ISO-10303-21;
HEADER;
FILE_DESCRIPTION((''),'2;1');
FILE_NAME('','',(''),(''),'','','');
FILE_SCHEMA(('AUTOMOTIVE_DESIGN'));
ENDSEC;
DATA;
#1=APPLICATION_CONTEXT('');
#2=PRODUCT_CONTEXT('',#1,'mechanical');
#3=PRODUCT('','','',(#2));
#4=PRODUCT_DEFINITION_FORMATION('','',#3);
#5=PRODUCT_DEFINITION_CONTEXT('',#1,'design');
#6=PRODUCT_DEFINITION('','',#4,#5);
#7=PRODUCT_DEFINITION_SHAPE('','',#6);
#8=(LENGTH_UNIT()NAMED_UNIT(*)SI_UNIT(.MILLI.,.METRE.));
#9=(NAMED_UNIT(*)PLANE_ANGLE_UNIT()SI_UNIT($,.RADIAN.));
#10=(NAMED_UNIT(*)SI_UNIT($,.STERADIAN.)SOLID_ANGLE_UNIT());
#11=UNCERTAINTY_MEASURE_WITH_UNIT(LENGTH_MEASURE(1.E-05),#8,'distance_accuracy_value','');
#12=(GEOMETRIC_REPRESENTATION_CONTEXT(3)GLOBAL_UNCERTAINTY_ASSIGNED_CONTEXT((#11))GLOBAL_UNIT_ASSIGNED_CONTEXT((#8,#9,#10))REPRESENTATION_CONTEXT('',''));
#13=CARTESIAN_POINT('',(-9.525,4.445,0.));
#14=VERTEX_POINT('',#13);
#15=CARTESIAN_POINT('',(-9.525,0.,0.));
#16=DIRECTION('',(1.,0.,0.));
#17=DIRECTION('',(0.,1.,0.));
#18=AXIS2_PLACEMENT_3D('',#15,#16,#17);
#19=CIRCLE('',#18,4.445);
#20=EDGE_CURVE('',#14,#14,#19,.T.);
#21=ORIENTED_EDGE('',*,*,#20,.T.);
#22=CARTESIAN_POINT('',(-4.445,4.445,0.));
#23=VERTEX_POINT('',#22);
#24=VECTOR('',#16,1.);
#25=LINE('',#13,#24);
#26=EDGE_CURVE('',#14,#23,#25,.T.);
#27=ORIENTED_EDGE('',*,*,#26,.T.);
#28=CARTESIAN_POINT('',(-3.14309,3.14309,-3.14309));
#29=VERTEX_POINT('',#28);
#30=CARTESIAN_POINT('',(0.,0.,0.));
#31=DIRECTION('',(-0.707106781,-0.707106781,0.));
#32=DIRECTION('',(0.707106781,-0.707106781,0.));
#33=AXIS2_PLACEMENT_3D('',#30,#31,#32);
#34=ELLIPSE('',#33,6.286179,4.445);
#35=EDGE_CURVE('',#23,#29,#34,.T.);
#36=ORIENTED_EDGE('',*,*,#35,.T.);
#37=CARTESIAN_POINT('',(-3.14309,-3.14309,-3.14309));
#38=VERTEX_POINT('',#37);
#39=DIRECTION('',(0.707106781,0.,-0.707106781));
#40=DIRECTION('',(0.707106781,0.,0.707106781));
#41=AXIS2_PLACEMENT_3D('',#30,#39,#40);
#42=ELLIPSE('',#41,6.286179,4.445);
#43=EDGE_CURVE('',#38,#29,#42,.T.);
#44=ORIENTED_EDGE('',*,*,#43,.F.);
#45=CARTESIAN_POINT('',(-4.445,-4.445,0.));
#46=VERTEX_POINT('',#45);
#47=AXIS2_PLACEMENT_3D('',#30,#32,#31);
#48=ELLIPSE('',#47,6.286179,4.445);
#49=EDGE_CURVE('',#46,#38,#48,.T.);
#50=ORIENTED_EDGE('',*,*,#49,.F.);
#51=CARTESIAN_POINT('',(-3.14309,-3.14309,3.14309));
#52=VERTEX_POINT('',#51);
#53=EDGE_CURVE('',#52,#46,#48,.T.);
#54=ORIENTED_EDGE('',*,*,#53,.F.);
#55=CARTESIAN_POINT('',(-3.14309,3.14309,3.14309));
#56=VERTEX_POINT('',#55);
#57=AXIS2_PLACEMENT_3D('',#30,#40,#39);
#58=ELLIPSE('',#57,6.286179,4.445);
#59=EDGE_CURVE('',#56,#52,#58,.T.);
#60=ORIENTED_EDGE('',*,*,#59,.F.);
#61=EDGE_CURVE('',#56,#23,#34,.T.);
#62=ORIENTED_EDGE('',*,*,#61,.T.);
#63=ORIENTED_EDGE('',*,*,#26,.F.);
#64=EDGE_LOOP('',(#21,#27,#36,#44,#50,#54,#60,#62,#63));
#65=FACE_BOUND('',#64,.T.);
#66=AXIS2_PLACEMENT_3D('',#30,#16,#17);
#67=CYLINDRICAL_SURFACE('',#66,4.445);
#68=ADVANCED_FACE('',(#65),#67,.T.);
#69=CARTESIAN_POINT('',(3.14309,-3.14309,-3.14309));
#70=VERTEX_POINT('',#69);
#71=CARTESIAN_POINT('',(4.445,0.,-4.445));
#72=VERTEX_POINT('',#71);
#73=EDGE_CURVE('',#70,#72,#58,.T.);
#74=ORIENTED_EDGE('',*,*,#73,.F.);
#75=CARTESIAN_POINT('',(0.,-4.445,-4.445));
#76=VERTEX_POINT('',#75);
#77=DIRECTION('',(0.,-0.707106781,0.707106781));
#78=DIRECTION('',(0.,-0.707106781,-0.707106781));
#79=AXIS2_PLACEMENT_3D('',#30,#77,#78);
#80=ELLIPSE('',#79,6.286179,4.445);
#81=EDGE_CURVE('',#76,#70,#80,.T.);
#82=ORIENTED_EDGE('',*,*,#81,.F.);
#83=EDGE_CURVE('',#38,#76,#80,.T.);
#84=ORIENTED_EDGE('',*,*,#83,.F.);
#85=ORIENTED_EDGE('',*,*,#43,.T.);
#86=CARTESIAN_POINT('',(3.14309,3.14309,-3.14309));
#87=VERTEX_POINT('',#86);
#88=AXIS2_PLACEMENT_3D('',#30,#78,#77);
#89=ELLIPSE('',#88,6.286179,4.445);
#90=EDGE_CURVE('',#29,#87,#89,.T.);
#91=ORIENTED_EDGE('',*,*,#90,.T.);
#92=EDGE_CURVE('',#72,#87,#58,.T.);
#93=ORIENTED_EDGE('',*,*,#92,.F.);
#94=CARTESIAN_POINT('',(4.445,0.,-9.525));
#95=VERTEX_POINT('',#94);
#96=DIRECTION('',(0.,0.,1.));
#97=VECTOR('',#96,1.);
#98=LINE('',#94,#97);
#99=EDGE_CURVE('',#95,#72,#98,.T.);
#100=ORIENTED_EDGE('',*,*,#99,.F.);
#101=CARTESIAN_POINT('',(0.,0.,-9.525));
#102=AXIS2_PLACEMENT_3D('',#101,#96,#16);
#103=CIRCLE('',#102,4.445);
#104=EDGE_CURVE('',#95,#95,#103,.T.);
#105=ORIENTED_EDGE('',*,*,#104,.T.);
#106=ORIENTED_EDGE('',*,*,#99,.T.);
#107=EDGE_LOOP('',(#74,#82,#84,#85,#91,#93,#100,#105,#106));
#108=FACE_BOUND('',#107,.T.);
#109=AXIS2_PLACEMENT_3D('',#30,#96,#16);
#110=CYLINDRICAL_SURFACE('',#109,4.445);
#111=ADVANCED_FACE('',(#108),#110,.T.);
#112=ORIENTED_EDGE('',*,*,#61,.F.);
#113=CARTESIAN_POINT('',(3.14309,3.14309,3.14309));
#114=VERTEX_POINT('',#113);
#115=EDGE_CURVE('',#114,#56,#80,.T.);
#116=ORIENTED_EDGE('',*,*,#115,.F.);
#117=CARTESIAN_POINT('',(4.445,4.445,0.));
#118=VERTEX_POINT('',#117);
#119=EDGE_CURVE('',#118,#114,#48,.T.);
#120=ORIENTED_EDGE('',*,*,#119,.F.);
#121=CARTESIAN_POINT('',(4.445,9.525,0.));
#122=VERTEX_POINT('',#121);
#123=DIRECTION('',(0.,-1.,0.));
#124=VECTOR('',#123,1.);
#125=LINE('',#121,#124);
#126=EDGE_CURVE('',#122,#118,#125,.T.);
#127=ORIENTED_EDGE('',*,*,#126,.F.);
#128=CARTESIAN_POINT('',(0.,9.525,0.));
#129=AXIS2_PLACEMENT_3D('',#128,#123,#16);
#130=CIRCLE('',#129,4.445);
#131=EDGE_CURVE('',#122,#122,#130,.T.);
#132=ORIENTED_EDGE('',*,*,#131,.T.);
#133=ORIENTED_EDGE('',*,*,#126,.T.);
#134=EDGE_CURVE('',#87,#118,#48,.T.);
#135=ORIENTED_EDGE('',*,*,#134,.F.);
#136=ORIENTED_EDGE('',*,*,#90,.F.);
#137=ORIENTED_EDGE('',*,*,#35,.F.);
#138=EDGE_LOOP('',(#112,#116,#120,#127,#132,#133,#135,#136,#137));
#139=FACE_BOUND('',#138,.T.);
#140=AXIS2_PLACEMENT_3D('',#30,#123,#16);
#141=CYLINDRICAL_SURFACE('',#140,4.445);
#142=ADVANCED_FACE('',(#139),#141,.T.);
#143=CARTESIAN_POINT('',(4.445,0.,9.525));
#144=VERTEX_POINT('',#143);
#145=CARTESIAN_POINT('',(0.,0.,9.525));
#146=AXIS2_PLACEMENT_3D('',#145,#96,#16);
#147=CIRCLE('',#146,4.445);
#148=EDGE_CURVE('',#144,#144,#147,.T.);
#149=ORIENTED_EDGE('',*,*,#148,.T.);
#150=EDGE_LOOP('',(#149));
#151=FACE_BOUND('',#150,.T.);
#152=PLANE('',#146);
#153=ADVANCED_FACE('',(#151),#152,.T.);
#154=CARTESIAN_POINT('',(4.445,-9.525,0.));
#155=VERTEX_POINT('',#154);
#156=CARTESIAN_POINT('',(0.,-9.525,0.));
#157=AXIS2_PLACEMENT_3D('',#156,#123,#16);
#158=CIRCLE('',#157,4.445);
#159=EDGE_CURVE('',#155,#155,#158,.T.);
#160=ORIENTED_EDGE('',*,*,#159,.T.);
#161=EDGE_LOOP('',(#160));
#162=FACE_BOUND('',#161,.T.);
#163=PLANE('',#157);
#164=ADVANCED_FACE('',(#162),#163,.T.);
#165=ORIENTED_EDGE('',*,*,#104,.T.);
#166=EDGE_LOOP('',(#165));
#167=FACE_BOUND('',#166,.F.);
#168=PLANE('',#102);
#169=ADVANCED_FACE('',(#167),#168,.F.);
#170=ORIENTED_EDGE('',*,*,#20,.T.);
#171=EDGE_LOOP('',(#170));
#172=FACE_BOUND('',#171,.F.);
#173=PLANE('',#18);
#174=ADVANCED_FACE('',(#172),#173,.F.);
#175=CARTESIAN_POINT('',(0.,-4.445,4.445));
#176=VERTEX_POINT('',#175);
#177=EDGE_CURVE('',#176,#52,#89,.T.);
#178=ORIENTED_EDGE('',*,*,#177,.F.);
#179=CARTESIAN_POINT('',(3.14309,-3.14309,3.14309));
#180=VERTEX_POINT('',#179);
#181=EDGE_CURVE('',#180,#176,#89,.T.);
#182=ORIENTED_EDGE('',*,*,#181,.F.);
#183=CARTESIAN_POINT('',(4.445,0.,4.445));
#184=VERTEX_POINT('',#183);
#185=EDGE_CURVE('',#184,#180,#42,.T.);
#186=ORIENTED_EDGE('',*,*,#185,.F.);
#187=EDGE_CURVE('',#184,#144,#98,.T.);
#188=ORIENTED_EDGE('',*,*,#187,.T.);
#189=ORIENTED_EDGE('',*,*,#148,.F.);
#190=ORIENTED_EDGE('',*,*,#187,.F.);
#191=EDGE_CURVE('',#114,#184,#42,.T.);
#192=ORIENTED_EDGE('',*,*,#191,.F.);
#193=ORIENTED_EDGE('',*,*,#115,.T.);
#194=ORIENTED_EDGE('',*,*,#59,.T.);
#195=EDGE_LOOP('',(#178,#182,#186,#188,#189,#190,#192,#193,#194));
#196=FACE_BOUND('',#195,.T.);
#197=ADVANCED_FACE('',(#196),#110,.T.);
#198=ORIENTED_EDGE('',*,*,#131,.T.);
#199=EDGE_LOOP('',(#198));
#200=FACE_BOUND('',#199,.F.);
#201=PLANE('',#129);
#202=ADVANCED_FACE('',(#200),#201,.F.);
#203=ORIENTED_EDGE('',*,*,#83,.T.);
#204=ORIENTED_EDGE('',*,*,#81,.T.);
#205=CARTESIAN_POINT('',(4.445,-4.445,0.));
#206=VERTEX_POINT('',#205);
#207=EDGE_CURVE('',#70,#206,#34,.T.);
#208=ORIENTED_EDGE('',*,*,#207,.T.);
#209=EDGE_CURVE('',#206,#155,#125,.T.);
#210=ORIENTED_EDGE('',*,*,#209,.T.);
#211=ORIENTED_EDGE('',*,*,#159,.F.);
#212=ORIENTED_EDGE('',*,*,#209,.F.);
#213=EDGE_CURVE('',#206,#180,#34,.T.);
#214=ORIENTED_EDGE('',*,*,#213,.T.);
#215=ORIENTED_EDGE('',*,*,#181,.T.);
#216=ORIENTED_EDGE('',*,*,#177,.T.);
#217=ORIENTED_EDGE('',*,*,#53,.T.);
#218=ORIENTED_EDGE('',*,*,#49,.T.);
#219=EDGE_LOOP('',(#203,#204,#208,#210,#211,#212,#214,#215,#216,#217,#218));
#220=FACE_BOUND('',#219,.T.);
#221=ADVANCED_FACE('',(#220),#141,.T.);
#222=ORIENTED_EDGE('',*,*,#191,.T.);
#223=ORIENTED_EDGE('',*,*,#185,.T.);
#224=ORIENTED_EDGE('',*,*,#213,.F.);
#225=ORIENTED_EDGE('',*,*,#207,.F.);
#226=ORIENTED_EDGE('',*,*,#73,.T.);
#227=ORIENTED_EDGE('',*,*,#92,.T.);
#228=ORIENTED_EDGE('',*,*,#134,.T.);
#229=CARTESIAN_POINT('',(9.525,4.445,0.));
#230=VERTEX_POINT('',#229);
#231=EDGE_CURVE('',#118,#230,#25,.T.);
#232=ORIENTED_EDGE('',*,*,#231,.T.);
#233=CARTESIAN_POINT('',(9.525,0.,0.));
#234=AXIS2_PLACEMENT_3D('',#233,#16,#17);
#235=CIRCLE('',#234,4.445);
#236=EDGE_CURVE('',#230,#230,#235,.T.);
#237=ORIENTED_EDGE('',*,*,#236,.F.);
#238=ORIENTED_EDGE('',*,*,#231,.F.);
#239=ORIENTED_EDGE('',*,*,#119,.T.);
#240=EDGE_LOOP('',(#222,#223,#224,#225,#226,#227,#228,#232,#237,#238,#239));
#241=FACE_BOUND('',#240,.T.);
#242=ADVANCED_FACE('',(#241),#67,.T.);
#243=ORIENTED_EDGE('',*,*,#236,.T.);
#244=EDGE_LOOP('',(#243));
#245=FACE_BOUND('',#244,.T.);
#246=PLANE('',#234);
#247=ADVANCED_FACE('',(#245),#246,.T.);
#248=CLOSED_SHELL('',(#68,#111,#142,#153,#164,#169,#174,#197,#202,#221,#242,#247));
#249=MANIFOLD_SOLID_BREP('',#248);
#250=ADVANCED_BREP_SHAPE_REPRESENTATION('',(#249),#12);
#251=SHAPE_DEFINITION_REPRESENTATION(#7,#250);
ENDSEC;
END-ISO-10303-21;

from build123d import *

# Parameters (mm, degrees)
F0_R     = 4.445
F1_DEPTH = 9.525
F2_R     = 4.445
F3_DEPTH = 9.525
F4_R     = 4.445
F5_DEPTH = 9.525


with BuildPart() as f1:
    # F0 (on Front) → F1 (new body, symmetric)
    with BuildSketch(Plane.XZ):
        Circle(F0_R)
    extrude(amount=F1_DEPTH, both=True)

    # F2 (on Right) → F3 (join, symmetric)
    with BuildSketch(Plane.YZ):
        Circle(F2_R)
    extrude(amount=F3_DEPTH, both=True)

    # F4 (on Top) → F5 (join, symmetric)
    with BuildSketch(Plane.XY):
        Circle(F4_R)
    extrude(amount=F5_DEPTH, both=True)


solid = f1.part
